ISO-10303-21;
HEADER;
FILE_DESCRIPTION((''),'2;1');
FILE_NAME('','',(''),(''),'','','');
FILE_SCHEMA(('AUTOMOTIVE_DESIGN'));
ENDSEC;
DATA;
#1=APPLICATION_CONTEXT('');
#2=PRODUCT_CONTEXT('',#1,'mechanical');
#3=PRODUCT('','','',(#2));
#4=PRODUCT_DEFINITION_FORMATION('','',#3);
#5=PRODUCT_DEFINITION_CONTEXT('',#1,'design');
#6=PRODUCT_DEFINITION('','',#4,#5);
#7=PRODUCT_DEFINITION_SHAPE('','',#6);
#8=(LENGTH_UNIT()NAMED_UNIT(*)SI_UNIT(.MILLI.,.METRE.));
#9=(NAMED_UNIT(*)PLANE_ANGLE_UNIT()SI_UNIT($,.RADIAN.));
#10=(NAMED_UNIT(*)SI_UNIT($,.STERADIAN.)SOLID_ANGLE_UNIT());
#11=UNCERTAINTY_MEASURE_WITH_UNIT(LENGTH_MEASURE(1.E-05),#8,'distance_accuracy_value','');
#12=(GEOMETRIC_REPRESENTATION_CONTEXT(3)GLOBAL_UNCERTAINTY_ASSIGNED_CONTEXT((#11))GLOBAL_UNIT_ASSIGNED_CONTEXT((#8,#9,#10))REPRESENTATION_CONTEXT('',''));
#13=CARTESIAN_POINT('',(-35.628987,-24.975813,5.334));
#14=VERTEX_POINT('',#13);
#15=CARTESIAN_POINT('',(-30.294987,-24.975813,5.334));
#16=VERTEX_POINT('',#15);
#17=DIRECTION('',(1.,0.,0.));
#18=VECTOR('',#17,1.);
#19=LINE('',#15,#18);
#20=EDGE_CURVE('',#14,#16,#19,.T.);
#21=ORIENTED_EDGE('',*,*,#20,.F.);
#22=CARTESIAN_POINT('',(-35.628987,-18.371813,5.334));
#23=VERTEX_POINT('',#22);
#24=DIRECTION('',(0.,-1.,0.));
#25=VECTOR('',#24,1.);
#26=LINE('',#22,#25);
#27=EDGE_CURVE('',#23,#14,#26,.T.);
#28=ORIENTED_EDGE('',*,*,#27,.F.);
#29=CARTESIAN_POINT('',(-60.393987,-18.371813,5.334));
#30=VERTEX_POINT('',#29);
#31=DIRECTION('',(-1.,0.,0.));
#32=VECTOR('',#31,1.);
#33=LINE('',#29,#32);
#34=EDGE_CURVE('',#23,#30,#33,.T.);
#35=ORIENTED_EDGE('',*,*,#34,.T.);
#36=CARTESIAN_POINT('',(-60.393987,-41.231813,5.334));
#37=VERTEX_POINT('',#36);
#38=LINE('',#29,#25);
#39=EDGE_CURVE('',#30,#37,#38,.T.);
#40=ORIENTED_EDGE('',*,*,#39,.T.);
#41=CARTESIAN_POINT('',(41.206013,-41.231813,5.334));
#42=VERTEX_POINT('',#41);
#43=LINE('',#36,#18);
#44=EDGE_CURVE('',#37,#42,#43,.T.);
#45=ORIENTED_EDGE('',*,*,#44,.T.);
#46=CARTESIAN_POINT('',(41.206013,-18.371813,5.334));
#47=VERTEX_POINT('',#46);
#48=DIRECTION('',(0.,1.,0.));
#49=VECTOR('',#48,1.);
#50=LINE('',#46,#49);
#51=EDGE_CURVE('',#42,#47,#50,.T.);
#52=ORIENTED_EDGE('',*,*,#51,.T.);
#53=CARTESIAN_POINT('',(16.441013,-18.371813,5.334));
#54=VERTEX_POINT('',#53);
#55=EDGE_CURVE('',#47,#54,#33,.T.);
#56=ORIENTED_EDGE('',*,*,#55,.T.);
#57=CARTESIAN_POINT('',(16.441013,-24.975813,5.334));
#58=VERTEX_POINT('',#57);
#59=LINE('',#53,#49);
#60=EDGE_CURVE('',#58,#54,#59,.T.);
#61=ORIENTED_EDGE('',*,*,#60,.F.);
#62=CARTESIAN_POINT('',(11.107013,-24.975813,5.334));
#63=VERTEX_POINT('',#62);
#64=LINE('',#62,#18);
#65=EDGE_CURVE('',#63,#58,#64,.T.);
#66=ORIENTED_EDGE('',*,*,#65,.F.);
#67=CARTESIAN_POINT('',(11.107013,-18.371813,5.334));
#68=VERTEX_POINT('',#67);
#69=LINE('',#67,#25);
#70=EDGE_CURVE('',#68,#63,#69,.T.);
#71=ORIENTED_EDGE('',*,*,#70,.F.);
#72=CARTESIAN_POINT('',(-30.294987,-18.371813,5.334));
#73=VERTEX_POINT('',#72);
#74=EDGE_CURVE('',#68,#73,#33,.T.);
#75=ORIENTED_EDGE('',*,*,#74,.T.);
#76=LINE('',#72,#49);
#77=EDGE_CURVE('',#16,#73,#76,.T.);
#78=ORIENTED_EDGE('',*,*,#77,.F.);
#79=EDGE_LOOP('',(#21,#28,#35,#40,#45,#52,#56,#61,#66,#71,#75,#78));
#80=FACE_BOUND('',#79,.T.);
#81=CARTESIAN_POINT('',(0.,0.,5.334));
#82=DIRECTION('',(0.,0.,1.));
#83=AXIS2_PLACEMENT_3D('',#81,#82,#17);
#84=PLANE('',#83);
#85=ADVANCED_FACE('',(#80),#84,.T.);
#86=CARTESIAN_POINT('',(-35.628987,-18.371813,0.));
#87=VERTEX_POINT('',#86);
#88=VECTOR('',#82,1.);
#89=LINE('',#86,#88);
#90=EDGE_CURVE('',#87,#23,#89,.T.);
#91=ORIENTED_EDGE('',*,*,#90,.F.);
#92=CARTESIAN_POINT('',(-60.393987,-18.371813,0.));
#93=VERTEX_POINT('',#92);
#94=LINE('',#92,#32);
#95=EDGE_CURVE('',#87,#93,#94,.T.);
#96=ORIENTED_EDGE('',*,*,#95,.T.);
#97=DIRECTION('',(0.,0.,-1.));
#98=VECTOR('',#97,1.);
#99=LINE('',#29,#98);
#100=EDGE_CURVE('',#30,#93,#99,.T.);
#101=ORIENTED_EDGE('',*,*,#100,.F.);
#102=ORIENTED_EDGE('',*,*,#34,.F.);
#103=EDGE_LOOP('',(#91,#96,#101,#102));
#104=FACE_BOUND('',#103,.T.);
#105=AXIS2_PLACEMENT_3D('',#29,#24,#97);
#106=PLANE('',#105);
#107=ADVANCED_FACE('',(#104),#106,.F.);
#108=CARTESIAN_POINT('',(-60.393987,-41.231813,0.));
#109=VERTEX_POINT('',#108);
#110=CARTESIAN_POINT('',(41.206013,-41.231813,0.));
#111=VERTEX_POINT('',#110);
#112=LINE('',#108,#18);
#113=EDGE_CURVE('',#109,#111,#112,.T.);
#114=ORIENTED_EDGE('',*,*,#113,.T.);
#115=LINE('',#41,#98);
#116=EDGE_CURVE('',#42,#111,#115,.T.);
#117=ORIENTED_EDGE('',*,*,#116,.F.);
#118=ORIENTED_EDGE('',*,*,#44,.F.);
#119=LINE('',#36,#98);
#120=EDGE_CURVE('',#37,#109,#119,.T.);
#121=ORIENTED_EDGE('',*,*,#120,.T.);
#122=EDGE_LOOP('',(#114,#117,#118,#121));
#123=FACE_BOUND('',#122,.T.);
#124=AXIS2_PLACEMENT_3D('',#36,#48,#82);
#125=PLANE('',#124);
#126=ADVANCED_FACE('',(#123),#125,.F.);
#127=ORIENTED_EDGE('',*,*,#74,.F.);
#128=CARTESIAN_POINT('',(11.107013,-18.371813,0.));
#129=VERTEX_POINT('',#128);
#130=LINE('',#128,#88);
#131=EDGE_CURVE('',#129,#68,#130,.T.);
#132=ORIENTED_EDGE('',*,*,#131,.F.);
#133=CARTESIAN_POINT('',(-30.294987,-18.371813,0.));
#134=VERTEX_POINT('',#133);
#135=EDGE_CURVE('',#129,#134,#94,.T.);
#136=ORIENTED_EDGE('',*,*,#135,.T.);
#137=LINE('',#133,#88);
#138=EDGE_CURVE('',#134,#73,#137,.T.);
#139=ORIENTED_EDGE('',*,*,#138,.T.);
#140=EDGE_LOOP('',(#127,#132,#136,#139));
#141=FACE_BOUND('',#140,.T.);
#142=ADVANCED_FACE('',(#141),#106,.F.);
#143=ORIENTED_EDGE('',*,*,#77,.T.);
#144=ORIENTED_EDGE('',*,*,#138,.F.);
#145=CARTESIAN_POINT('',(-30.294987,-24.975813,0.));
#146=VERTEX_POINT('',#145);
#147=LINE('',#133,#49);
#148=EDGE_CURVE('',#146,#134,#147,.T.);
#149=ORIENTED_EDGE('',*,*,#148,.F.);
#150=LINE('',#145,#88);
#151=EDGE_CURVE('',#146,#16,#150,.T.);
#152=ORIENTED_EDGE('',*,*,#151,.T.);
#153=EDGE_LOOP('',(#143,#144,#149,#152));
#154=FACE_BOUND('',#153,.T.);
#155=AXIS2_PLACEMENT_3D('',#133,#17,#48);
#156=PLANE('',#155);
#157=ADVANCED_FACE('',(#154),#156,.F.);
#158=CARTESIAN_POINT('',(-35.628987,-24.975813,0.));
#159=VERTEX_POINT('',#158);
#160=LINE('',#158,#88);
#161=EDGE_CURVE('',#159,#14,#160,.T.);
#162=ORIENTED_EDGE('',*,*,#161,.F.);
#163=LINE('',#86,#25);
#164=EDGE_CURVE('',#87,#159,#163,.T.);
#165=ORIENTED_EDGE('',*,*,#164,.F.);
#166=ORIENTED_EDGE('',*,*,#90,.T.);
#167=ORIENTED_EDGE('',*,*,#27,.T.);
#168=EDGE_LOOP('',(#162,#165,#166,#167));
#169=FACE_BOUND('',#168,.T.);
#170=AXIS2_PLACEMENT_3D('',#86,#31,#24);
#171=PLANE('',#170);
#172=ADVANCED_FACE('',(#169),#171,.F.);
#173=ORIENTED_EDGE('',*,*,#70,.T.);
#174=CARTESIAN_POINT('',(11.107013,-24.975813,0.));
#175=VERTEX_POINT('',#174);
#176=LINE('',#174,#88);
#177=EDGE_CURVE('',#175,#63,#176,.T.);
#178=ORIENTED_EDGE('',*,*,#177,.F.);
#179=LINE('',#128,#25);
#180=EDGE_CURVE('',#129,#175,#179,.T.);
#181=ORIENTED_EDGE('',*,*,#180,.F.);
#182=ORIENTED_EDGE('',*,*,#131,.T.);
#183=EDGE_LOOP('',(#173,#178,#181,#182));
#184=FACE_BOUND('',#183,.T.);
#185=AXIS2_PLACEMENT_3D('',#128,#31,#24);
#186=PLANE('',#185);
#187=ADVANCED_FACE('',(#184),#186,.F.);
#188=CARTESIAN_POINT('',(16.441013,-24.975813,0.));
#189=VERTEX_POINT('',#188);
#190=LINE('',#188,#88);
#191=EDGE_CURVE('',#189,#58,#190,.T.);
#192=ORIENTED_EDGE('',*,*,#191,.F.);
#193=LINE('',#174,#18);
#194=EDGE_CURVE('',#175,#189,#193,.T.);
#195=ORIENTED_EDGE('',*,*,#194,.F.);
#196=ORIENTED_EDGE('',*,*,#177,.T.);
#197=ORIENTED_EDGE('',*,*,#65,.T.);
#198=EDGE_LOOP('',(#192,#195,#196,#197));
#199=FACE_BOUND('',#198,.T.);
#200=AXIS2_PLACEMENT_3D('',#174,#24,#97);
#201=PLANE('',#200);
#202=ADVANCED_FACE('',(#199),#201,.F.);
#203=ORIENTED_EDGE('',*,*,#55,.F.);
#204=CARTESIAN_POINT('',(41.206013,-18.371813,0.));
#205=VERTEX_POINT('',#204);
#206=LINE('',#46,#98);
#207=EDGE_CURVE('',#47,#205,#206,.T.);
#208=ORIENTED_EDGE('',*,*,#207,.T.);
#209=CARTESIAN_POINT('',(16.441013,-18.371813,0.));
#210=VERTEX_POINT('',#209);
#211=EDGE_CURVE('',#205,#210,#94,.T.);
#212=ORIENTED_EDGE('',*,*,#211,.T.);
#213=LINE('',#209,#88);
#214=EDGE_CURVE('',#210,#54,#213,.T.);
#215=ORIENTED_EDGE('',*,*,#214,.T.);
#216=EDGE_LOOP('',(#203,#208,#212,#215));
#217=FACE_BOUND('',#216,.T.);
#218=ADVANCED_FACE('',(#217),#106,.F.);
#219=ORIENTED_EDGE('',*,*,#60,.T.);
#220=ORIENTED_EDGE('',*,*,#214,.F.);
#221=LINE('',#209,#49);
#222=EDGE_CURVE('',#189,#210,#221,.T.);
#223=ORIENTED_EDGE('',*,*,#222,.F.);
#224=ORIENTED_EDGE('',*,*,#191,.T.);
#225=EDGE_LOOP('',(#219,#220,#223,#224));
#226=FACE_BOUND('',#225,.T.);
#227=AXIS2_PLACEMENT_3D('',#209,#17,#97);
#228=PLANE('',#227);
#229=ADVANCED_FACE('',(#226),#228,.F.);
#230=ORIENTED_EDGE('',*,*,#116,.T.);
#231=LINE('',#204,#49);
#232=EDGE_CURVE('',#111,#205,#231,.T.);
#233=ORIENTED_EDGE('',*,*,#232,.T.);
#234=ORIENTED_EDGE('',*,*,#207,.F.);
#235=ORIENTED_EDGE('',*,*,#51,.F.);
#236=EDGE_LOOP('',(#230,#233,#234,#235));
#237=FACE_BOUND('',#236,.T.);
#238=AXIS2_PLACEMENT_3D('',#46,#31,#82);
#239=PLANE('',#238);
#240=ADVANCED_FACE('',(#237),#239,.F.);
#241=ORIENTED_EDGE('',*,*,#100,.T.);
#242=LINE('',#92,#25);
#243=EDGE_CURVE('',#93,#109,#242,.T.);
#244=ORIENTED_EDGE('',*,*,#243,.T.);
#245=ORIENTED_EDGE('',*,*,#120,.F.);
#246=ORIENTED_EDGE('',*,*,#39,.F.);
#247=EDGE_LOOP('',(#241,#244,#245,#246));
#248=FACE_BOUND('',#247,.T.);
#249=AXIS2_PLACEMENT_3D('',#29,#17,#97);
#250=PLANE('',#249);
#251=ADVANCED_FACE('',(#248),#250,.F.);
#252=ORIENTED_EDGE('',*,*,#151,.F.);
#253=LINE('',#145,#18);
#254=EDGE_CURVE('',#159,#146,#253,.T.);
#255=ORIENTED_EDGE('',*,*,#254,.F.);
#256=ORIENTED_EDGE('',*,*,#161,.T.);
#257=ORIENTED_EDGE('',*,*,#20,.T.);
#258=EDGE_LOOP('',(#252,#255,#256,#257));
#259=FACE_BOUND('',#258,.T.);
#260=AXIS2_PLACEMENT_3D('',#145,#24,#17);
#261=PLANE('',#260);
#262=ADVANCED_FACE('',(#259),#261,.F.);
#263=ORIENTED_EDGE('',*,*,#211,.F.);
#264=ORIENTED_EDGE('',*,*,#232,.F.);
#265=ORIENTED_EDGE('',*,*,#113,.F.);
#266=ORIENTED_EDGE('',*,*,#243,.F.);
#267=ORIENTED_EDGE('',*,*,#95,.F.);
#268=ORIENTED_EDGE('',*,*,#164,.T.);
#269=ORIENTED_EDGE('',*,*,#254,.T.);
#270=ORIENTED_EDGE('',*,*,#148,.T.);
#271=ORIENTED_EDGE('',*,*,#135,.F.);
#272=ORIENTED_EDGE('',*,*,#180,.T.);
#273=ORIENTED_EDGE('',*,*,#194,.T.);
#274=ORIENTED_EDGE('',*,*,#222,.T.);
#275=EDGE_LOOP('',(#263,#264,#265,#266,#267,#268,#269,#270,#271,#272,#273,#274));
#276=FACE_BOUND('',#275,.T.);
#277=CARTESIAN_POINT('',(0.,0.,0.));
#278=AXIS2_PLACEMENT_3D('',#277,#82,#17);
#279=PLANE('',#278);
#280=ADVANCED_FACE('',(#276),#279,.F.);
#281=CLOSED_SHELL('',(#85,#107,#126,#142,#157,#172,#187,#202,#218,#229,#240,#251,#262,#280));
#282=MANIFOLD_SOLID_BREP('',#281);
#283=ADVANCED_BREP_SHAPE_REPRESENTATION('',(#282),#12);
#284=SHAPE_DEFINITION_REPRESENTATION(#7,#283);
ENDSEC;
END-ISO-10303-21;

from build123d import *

# Parameters (mm, degrees)
SKETCH1_W           = 101.6
SKETCH1_H           = 22.86
BOSS_EXTRUDE1_DEPTH = 5.334
SKETCH2_W           = 5.334
SKETCH2_H           = 6.604
CUT_EXTRUDE1_DEPTH  = 74.320853754


with BuildPart() as part:
    # Sketch1 → Boss-Extrude1 (new body)
    with BuildSketch(Plane.XY):
        with Locations((-9.593986812, -29.801812913)):
            Rectangle(SKETCH1_W, SKETCH1_H)
    extrude(amount=BOSS_EXTRUDE1_DEPTH)

    # Sketch2 → Cut-Extrude1 (cut, through all)
    with BuildSketch(Plane.XY.offset(5.334)):
        with Locations((-32.961986812, -21.673812913)):
            Rectangle(SKETCH2_W, SKETCH2_H)
        with Locations((13.774013188, -21.673812913)):
            Rectangle(SKETCH2_W, SKETCH2_H)
    extrude(amount=-CUT_EXTRUDE1_DEPTH, mode=Mode.SUBTRACT)


solid = part.part
